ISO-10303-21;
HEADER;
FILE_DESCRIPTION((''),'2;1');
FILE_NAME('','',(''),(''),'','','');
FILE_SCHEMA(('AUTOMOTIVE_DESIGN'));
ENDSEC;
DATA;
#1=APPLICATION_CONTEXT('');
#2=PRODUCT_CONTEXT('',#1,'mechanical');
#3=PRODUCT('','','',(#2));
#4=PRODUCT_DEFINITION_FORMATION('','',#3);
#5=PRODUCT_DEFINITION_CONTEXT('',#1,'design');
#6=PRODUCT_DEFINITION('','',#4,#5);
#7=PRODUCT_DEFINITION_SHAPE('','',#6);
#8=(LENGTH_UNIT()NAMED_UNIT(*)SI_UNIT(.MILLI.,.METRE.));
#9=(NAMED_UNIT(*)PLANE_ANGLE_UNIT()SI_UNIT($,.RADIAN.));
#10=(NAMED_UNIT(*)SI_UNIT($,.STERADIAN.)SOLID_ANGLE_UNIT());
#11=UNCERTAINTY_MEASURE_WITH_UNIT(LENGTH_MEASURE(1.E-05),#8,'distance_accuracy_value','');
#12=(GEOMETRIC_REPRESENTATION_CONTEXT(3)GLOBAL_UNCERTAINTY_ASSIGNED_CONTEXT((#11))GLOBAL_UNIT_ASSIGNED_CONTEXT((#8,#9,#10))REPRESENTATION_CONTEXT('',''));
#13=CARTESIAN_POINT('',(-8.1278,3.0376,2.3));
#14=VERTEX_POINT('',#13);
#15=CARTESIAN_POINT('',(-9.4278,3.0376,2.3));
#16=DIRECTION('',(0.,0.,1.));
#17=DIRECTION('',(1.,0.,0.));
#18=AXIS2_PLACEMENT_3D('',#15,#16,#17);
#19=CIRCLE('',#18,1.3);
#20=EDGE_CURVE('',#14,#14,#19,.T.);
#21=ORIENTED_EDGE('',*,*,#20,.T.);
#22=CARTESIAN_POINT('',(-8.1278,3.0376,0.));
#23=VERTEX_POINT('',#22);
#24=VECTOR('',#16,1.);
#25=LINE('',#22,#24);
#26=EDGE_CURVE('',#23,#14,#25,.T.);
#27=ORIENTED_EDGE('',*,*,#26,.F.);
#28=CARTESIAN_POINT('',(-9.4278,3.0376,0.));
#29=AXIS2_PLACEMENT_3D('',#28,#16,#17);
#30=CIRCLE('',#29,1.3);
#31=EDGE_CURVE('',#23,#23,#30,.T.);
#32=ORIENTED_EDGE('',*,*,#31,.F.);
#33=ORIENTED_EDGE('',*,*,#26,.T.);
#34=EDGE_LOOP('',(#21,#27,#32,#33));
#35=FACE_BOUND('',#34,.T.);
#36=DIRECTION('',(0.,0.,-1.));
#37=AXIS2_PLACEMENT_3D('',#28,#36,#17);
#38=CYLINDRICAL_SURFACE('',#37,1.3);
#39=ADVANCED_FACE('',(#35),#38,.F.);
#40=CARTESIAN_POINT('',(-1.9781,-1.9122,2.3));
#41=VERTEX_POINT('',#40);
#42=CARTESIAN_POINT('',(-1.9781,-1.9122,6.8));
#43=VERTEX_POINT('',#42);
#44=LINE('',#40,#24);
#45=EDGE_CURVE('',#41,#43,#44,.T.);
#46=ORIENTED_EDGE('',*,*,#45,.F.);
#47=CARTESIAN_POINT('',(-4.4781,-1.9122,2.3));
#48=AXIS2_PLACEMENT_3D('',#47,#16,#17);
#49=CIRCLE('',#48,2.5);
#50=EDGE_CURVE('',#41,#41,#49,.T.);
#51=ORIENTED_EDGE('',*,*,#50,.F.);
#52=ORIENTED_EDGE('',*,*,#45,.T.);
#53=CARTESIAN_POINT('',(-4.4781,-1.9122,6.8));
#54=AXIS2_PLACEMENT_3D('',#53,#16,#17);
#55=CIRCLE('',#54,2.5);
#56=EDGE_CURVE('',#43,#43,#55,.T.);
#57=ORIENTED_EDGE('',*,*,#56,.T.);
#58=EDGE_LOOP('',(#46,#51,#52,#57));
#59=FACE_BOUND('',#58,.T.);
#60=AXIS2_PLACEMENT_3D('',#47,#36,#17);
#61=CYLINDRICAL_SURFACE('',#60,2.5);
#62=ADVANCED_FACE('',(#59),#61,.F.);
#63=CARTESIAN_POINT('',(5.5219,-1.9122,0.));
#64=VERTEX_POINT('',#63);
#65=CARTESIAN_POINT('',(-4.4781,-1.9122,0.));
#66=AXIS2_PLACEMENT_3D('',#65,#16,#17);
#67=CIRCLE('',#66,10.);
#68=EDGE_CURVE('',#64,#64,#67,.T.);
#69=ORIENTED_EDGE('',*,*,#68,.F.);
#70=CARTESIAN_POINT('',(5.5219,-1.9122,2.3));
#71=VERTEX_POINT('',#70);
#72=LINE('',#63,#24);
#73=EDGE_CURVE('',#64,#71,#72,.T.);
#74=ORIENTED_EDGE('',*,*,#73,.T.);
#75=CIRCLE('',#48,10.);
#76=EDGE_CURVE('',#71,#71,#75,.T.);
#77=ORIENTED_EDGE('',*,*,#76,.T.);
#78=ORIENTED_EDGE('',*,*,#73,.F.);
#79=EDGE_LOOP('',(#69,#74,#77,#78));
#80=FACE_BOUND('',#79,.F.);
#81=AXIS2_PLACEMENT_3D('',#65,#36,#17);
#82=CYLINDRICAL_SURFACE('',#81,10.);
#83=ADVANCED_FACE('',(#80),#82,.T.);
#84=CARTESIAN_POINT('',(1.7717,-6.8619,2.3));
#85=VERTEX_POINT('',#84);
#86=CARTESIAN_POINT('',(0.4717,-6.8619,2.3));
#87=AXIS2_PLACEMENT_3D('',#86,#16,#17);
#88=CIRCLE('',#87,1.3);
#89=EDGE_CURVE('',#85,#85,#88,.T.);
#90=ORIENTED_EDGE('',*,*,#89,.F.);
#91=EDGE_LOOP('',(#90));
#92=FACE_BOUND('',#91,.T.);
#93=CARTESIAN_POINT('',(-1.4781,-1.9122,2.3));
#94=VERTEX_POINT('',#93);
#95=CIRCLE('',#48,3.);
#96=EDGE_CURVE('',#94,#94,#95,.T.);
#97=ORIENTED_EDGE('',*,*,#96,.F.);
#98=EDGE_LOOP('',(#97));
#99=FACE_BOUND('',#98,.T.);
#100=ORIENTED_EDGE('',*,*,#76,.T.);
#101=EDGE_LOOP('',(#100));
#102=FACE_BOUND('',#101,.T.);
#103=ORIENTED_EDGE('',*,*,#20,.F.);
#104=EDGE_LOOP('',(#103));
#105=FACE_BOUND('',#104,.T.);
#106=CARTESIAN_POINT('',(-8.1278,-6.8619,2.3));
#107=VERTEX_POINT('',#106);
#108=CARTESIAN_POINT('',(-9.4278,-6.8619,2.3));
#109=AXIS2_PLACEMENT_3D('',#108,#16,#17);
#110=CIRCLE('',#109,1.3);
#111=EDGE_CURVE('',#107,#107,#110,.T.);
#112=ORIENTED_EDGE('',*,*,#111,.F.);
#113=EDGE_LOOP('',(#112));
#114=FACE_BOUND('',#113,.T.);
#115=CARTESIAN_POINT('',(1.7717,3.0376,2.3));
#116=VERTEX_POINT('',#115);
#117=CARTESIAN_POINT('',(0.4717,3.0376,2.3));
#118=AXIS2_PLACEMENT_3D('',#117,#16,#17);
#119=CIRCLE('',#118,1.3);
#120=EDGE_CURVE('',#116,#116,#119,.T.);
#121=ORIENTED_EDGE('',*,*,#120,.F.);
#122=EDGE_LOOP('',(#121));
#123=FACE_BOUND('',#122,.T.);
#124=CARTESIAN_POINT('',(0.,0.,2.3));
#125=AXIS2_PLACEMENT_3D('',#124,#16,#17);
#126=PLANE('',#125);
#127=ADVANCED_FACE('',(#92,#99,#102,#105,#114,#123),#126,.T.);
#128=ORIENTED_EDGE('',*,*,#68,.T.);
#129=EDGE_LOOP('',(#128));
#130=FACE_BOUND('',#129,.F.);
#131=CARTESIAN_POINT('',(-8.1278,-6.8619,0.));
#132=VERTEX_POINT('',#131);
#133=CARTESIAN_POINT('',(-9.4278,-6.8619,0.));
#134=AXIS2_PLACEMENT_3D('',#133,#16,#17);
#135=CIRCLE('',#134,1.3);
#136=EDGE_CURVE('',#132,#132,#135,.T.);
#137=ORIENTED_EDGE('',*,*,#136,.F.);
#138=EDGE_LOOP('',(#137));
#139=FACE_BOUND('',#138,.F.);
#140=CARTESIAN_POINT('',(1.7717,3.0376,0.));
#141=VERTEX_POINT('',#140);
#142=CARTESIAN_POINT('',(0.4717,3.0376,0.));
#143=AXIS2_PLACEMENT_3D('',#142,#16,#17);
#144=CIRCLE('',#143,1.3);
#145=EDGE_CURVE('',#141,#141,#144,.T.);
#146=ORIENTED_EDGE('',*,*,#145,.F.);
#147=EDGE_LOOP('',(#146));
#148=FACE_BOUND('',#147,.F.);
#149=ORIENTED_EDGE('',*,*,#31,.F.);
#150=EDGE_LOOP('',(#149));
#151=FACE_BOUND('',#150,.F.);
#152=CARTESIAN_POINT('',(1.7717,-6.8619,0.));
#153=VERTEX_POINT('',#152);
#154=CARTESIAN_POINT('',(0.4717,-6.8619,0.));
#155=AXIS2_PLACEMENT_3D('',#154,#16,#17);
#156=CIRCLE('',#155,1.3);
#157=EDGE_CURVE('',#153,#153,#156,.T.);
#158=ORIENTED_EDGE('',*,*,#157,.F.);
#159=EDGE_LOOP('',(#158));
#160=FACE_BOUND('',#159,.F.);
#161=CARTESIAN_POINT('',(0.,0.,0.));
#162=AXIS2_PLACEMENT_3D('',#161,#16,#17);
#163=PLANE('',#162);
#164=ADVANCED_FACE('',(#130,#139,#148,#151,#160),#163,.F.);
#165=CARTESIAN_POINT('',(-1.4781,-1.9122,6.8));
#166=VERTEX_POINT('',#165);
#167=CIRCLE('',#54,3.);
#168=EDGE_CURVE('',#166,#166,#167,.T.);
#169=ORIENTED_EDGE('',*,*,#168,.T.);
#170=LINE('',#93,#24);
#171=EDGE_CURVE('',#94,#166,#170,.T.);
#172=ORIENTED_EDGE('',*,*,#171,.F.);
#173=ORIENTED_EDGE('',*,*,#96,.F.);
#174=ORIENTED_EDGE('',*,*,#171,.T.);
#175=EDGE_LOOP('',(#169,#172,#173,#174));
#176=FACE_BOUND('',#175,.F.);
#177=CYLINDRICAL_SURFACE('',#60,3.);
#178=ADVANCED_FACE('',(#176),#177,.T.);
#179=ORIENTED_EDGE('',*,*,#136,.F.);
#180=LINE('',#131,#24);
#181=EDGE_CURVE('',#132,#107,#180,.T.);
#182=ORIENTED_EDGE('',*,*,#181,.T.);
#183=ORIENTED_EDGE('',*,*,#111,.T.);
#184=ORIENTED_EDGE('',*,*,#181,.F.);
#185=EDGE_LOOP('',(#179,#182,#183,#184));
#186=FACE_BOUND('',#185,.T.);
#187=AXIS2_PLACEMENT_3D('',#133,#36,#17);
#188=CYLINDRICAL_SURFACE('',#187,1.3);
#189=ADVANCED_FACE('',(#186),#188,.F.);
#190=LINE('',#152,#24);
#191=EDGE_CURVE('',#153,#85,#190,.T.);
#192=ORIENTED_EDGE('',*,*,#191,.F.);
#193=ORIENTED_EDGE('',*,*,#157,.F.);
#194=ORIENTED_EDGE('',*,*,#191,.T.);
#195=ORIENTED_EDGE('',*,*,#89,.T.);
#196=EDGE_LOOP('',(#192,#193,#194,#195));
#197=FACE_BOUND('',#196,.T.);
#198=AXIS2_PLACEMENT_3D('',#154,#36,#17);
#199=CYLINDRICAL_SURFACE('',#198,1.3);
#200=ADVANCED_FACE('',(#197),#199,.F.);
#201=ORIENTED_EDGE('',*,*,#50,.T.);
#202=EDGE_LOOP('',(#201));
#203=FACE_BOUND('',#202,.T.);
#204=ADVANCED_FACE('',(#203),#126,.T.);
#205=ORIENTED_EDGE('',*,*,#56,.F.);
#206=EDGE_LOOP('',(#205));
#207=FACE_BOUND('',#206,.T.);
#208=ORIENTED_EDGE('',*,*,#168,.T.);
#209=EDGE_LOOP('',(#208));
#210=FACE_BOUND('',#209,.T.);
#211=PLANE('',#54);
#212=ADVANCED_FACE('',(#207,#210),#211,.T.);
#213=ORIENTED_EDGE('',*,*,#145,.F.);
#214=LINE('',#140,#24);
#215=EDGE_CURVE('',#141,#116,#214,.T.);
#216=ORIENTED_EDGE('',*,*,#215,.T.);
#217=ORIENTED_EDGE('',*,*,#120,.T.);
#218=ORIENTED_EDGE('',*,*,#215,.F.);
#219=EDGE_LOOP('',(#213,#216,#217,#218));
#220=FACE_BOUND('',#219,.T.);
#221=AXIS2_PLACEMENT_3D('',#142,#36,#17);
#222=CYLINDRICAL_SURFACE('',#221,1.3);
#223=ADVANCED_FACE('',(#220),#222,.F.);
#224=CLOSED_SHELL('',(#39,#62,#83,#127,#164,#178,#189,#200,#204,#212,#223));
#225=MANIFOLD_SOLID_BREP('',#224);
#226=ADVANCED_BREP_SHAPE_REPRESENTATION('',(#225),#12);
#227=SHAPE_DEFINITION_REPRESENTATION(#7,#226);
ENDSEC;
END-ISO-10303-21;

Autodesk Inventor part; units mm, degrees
ref_plane "YZ Plane" through (0, 0, 0) normal (1, 0, 0) x (0, 1, 0)
ref_plane "XZ Plane" through (0, 0, 0) normal (0, 1, 0) x (-1, 0, 0)
ref_plane "XY Plane" through (0, 0, 0) normal (0, 0, 1) x (1, 0, 0)
sketch "스케치1" plane through (0, 0, 0) normal (0, 0, 1) x (1, 0, 0)
  circle A0 centre (0.4717, -6.8619) radius 1.3
  circle A1 centre (0.4717, 3.0376) radius 1.3
  circle A2 centre (-9.4278, 3.0376) radius 1.3
  circle A3 centre (-9.4278, -6.8619) radius 1.3
  circle A4 centre (-4.4781, -1.9122) radius 10
  circle A5 centre (-4.4781, -1.9122) radius 5.5
  circle A6 centre (-4.4781, -1.9122) radius 10 projected
  circle A7 centre (0.4717, -6.8619) radius 1.3 projected
  circle A8 centre (0.4717, 3.0376) radius 1.3 projected
  circle A9 centre (-9.4278, 3.0376) radius 1.3 projected
  circle A10 centre (-9.4278, -6.8619) radius 1.3 projected
  point P0 (0, 0)
  dimension "d6" = 20
  dimension "d7" = 11
  dimension "d8" = 2.6
  dimension "d9" = 2.6
  dimension "d10" = 2.6
  dimension "d11" = 2.6
extrude "돌출1" add sketch "스케치1" along normal blind 2.3 contours A4 | A5
sketch "스케치2" plane through (-4.4781, -1.9122, 2.3) normal (0, 0, 1) x (1, 0, 0)
  circle A0 centre (0, 0) radius 10 projected
  circle A1 centre (0, 0) radius 3
  circle A2 centre (0, 0) radius 2.5
  dimension "d2" = 6
  dimension "d5" = 5
extrude "돌출2" add sketch "스케치2" along normal blind 4.5 contours A1
properties part number "pitch_motor1" material "고무, 검은색"
